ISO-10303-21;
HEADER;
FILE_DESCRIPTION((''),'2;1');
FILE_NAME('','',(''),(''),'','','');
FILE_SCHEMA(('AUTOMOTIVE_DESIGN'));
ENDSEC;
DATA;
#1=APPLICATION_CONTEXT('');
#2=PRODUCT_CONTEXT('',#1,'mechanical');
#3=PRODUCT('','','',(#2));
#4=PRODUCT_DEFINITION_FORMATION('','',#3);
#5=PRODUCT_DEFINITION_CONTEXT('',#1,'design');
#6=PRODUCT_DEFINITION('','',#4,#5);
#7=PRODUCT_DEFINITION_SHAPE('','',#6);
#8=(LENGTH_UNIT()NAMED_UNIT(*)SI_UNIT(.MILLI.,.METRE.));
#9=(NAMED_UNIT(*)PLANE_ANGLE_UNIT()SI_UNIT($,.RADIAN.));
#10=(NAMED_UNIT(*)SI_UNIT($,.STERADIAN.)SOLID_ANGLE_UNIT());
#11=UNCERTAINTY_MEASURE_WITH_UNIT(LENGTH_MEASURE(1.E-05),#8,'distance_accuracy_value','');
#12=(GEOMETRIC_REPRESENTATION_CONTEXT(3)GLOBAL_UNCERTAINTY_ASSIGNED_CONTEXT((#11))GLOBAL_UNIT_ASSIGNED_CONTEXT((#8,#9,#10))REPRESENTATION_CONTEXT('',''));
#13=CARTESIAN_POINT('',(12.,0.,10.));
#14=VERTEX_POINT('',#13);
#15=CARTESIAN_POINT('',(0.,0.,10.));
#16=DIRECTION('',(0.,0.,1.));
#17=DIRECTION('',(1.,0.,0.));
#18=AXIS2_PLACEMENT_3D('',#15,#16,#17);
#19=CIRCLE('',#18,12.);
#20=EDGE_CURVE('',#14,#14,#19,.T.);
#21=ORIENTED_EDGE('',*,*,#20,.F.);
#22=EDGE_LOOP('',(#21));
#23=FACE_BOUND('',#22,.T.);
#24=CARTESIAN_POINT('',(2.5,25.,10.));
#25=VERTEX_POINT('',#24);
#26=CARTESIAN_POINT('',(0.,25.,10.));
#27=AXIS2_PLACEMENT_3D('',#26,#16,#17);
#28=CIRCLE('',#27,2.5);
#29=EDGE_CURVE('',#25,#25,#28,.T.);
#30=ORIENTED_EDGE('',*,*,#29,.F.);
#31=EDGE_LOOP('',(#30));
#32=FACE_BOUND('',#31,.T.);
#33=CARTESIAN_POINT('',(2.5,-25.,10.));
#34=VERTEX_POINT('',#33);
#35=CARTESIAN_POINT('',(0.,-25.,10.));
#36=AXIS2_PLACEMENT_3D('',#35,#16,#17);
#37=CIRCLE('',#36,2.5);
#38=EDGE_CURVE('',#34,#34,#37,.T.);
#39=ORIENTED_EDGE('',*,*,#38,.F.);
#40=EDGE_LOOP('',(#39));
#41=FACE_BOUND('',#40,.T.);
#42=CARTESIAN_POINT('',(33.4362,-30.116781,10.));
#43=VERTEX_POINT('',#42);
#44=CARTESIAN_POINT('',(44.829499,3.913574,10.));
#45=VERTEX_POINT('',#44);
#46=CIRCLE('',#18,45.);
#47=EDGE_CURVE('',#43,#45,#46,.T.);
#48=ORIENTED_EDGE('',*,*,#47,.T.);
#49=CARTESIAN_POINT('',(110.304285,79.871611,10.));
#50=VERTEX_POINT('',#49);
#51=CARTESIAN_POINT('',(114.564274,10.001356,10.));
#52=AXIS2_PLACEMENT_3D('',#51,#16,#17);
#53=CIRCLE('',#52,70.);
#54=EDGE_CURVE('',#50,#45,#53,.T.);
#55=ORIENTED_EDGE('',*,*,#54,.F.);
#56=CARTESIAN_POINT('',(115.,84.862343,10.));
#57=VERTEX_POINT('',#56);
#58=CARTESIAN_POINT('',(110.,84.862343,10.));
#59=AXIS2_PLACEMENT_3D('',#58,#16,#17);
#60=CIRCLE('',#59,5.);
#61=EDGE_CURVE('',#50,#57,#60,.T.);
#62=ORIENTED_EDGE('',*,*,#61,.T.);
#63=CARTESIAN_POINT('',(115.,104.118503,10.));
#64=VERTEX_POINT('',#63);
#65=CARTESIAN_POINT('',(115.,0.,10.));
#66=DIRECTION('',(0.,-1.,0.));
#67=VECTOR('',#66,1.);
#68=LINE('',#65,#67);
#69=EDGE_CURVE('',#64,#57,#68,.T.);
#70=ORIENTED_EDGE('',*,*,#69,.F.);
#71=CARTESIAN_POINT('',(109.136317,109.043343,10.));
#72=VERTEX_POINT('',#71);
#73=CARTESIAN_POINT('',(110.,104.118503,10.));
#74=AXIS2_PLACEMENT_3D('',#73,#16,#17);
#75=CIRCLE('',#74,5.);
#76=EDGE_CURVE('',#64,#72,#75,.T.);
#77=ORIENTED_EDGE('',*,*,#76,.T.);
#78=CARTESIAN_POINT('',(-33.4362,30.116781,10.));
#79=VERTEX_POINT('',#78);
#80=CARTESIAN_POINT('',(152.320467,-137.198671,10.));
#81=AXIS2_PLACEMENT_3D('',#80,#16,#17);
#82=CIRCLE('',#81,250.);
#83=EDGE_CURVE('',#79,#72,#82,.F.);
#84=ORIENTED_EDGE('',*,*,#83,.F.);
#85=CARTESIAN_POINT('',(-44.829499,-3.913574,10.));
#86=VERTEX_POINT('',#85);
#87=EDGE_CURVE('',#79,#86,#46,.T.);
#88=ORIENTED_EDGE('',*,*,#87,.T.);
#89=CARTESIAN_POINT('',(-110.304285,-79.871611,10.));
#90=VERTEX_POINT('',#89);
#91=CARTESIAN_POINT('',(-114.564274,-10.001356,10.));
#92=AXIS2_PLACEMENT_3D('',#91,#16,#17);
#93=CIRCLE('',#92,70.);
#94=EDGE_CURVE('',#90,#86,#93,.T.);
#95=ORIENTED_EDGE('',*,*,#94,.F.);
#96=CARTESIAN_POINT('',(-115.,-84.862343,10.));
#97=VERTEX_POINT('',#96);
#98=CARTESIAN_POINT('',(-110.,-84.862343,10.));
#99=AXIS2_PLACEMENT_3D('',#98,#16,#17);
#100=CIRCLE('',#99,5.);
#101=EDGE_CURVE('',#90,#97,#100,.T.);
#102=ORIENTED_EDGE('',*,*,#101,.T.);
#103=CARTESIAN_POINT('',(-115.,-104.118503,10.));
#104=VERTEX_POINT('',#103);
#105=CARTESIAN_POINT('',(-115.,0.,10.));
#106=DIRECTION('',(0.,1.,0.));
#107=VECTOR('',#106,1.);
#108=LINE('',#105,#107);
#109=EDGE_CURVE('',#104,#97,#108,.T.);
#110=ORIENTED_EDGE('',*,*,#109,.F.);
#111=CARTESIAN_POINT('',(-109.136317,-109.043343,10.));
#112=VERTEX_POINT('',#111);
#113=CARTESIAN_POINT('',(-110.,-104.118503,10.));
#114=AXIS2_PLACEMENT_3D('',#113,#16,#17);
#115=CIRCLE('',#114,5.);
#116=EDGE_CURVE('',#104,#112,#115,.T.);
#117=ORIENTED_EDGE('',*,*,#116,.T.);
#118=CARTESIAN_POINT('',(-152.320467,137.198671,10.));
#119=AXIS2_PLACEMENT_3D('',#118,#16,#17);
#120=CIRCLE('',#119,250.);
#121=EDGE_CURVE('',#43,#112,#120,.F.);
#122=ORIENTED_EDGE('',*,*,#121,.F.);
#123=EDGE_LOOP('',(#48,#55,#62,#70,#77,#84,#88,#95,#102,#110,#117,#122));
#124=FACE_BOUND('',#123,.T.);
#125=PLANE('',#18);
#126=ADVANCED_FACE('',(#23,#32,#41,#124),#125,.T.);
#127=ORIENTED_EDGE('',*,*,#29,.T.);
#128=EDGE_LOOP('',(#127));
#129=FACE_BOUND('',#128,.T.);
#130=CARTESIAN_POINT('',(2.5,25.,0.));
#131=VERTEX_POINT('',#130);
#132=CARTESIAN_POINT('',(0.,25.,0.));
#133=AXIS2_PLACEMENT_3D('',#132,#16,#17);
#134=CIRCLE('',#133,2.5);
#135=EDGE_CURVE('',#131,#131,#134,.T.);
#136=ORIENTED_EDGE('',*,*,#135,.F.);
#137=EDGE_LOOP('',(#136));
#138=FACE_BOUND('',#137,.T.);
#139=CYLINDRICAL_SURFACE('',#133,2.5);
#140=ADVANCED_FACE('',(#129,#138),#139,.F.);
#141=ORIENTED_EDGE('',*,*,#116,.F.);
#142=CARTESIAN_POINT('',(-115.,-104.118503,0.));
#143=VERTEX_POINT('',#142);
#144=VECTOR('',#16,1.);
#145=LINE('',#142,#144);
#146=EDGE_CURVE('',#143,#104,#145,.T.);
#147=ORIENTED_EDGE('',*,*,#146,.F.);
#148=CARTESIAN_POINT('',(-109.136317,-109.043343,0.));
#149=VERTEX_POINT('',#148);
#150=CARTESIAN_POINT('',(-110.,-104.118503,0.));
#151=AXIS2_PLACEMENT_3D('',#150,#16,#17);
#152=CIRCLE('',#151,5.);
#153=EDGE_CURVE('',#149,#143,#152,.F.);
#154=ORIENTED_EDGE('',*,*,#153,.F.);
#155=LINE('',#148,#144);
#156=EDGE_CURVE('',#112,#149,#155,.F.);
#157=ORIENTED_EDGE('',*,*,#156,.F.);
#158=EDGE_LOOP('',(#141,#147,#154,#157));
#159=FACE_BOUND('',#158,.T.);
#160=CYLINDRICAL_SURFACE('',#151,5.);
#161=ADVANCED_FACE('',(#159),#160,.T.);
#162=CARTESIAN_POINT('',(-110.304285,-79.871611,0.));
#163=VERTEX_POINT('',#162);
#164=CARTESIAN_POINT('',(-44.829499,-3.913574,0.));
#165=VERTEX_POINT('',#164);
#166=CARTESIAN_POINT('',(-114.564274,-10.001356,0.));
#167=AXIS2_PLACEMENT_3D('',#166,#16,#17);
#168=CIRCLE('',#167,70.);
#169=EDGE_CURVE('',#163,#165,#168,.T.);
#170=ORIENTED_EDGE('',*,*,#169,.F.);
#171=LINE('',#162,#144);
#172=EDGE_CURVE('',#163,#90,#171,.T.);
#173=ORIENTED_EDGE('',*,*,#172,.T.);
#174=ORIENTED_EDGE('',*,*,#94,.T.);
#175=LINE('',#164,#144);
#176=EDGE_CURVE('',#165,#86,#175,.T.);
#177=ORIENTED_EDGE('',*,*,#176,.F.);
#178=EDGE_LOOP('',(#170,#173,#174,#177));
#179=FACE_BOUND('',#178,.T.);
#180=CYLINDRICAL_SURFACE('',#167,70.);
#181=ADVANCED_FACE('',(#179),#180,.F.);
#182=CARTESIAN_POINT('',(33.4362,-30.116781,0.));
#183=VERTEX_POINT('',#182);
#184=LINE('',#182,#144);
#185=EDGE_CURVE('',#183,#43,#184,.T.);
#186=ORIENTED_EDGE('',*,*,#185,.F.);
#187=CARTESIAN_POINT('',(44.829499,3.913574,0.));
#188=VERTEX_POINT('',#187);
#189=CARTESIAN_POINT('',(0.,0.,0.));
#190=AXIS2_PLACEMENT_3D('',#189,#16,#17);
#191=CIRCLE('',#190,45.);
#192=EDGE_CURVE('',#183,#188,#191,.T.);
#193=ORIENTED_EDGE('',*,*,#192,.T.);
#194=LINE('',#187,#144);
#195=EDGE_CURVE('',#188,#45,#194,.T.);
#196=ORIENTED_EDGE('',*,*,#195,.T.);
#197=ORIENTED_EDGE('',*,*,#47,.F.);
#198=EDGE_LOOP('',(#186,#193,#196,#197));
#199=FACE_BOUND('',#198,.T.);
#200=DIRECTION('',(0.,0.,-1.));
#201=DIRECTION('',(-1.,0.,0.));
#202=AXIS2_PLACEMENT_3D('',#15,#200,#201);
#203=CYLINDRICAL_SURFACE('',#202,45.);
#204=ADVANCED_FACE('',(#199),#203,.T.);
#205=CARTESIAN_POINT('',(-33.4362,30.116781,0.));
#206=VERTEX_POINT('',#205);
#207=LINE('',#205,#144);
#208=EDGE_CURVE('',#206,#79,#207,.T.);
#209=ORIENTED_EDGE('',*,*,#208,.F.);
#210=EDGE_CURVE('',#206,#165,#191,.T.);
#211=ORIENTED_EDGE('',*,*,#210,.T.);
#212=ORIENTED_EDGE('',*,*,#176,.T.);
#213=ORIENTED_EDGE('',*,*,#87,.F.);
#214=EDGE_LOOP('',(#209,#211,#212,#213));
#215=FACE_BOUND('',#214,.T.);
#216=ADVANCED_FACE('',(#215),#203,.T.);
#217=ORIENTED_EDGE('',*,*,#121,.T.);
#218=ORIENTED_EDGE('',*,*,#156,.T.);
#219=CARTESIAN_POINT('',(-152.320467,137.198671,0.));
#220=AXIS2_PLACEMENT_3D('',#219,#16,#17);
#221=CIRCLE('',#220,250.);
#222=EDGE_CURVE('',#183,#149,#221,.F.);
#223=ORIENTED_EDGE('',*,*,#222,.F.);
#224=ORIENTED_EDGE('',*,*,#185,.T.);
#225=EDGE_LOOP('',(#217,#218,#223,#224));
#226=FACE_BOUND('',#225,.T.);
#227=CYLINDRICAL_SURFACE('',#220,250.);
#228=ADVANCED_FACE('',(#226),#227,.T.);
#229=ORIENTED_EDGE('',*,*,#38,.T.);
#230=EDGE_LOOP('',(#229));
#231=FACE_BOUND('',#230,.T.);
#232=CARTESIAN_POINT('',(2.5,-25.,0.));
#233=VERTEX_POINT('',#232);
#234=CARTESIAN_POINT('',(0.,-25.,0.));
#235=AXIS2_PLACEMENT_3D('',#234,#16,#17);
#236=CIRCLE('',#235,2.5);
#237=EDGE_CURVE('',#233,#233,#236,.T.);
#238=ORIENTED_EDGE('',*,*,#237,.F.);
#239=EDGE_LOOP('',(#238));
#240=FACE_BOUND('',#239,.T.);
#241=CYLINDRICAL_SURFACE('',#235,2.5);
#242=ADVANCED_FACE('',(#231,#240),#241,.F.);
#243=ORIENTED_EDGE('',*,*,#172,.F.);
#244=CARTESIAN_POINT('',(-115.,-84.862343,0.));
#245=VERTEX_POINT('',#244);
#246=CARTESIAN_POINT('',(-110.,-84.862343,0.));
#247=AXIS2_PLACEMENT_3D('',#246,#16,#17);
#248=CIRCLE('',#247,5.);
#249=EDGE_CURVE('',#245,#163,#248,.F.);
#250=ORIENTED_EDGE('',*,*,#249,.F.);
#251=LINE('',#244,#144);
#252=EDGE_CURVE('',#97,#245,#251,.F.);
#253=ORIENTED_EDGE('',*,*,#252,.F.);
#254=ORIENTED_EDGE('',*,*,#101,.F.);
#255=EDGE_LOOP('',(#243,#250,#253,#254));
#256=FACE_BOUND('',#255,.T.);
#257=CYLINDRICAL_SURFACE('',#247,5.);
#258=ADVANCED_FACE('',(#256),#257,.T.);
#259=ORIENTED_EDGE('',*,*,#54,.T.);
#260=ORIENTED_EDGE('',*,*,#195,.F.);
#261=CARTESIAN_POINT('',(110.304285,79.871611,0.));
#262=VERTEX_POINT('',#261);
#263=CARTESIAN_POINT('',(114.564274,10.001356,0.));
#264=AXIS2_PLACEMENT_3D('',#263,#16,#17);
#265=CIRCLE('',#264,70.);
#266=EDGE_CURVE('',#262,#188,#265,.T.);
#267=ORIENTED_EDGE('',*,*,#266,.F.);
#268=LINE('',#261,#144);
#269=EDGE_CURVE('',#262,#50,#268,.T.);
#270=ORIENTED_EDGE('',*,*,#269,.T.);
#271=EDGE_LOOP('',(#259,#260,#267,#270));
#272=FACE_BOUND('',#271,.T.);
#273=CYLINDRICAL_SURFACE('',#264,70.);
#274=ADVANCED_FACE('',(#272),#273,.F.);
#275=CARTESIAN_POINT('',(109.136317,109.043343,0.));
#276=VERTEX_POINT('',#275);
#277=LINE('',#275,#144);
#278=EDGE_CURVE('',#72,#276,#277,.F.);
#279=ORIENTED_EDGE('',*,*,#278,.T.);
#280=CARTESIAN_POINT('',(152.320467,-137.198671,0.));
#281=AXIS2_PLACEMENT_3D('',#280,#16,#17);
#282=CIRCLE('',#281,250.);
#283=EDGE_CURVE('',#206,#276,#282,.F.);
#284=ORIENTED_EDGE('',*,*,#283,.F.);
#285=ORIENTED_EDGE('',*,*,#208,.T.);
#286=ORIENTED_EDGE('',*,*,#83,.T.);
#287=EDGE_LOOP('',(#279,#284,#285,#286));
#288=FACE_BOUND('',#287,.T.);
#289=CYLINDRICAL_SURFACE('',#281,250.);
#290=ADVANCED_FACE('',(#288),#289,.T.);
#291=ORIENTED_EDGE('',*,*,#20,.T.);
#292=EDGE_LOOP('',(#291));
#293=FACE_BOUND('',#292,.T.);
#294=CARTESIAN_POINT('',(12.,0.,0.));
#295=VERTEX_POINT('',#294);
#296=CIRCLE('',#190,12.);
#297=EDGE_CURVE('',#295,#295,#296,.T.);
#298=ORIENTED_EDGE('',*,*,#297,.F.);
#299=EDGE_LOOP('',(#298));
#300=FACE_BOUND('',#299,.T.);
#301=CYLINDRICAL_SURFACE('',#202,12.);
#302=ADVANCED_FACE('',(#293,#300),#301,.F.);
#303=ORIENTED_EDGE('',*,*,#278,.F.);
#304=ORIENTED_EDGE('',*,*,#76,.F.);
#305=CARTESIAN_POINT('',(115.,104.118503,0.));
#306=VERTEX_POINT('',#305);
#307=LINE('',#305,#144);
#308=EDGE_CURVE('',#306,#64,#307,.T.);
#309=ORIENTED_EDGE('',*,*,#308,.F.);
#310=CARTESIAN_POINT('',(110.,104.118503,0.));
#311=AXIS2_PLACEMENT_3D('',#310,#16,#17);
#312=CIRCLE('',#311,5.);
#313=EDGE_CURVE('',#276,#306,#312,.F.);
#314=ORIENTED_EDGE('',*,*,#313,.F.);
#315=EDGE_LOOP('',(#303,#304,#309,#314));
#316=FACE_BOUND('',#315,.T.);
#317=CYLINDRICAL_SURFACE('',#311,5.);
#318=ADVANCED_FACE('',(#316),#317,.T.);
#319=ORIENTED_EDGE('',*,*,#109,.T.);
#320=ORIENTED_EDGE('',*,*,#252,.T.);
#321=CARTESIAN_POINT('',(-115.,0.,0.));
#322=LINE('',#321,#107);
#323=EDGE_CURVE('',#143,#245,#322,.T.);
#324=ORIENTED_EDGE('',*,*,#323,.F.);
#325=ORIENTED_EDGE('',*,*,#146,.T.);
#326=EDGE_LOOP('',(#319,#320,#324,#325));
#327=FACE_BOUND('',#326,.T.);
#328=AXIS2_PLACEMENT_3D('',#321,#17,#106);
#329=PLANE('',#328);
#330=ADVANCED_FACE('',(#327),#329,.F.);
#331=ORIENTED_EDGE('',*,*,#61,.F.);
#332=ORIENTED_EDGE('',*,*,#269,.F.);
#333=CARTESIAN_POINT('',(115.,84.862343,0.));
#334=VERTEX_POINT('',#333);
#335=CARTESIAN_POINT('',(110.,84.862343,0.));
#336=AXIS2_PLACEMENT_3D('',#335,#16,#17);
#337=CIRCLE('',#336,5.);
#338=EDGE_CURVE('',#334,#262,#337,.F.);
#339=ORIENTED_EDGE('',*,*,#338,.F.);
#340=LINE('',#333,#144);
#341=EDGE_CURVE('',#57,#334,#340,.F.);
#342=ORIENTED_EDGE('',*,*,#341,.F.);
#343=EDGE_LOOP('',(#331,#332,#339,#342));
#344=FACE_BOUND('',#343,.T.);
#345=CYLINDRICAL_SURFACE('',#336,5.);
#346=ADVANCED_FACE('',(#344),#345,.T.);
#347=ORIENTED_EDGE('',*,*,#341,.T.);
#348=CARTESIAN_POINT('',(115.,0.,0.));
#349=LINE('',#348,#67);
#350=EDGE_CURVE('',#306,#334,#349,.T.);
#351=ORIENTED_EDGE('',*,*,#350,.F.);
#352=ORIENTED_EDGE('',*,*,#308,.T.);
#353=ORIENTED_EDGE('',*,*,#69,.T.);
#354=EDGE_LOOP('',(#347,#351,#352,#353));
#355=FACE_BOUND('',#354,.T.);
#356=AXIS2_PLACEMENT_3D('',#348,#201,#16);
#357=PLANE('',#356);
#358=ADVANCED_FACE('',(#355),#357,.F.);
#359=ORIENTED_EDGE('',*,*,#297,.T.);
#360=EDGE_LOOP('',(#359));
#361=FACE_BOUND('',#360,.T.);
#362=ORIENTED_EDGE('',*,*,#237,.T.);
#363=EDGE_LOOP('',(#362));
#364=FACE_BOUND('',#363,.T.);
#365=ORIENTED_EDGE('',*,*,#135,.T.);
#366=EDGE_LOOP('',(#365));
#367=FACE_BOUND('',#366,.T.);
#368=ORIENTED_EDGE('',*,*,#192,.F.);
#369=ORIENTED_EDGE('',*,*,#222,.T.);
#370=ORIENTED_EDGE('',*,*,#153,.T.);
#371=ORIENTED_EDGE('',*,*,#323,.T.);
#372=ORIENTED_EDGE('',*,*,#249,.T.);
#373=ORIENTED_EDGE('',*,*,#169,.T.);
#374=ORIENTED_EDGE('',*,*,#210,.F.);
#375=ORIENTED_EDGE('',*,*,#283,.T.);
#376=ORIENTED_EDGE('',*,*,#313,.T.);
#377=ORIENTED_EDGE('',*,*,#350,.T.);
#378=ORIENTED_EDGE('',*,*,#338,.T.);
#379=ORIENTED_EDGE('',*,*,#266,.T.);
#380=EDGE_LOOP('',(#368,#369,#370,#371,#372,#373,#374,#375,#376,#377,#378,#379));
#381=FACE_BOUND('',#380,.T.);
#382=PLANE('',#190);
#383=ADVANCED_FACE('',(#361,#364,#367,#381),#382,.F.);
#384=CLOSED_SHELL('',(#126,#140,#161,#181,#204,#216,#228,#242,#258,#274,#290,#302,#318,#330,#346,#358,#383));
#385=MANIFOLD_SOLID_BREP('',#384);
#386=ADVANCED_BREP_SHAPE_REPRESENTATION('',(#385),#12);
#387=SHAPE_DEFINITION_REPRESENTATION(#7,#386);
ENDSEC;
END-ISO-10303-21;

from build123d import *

# Parameters (mm, degrees)
SKETCH1_R           = 45
SKETCH1_R_2         = 12
BOSS_EXTRUDE1_DEPTH = 10
BOSS_EXTRUDE3_START = -10
BOSS_EXTRUDE3_DEPTH = 10
FILLET2_R           = 5
SKETCH3_R           = 2.5
CUT_EXTRUDE1_DEPTH  = 159.845357518


with BuildPart() as part:
    # Sketch1 → Boss-Extrude1 (new body)
    with BuildSketch(Plane.XY):
        Circle(SKETCH1_R)
        Circle(SKETCH1_R_2, mode=Mode.SUBTRACT)
    extrude(amount=BOSS_EXTRUDE1_DEPTH)

    # Sketch2 → Boss-Extrude3 (add)
    with BuildSketch(Plane.XY.offset(10).offset(BOSS_EXTRUDE3_START)):
        with BuildLine():
            ThreePointArc((33.436200174, -30.116781334), (-14.286491123, -42.671960013), (-44.829498519, -3.91357414))
            ThreePointArc((-44.829498519, -3.91357414), (-63.106761283, -57.457908747), (-115, -80))
            Line((-115, -80), (-115, -110))
            ThreePointArc((-115, -110), (-33.84606429, -82.946317595), (33.436200174, -30.116781334))
        make_face()
        with BuildLine():
            Line((115, 80), (115, 110))
            ThreePointArc((115, 110), (33.84606429, 82.946317595), (-33.436200174, 30.116781334))
            ThreePointArc((-33.436200174, 30.116781334), (14.286491123, 42.671960013), (44.829498519, 3.91357414))
            ThreePointArc((44.829498519, 3.91357414), (63.106761283, 57.457908747), (115, 80))
        make_face()
    extrude(amount=BOSS_EXTRUDE3_DEPTH)

    # Fillet2
    fillet2_edges = [part.edges().sort_by_distance(p)[0] for p in [
        (-115, -110, 5),
        (-115, -80, 5),
        (115, 80, 5),
        (115, 110, 5),
    ]]
    fillet(fillet2_edges, radius=FILLET2_R)

    # Sketch3 → Cut-Extrude1 (cut, through all)
    with BuildSketch(Plane.XY.offset(10)):
        with Locations((0, 25)):
            Circle(SKETCH3_R)
        with Locations((0, -25)):
            Circle(SKETCH3_R)
    extrude(amount=-CUT_EXTRUDE1_DEPTH, mode=Mode.SUBTRACT)


solid = part.part
